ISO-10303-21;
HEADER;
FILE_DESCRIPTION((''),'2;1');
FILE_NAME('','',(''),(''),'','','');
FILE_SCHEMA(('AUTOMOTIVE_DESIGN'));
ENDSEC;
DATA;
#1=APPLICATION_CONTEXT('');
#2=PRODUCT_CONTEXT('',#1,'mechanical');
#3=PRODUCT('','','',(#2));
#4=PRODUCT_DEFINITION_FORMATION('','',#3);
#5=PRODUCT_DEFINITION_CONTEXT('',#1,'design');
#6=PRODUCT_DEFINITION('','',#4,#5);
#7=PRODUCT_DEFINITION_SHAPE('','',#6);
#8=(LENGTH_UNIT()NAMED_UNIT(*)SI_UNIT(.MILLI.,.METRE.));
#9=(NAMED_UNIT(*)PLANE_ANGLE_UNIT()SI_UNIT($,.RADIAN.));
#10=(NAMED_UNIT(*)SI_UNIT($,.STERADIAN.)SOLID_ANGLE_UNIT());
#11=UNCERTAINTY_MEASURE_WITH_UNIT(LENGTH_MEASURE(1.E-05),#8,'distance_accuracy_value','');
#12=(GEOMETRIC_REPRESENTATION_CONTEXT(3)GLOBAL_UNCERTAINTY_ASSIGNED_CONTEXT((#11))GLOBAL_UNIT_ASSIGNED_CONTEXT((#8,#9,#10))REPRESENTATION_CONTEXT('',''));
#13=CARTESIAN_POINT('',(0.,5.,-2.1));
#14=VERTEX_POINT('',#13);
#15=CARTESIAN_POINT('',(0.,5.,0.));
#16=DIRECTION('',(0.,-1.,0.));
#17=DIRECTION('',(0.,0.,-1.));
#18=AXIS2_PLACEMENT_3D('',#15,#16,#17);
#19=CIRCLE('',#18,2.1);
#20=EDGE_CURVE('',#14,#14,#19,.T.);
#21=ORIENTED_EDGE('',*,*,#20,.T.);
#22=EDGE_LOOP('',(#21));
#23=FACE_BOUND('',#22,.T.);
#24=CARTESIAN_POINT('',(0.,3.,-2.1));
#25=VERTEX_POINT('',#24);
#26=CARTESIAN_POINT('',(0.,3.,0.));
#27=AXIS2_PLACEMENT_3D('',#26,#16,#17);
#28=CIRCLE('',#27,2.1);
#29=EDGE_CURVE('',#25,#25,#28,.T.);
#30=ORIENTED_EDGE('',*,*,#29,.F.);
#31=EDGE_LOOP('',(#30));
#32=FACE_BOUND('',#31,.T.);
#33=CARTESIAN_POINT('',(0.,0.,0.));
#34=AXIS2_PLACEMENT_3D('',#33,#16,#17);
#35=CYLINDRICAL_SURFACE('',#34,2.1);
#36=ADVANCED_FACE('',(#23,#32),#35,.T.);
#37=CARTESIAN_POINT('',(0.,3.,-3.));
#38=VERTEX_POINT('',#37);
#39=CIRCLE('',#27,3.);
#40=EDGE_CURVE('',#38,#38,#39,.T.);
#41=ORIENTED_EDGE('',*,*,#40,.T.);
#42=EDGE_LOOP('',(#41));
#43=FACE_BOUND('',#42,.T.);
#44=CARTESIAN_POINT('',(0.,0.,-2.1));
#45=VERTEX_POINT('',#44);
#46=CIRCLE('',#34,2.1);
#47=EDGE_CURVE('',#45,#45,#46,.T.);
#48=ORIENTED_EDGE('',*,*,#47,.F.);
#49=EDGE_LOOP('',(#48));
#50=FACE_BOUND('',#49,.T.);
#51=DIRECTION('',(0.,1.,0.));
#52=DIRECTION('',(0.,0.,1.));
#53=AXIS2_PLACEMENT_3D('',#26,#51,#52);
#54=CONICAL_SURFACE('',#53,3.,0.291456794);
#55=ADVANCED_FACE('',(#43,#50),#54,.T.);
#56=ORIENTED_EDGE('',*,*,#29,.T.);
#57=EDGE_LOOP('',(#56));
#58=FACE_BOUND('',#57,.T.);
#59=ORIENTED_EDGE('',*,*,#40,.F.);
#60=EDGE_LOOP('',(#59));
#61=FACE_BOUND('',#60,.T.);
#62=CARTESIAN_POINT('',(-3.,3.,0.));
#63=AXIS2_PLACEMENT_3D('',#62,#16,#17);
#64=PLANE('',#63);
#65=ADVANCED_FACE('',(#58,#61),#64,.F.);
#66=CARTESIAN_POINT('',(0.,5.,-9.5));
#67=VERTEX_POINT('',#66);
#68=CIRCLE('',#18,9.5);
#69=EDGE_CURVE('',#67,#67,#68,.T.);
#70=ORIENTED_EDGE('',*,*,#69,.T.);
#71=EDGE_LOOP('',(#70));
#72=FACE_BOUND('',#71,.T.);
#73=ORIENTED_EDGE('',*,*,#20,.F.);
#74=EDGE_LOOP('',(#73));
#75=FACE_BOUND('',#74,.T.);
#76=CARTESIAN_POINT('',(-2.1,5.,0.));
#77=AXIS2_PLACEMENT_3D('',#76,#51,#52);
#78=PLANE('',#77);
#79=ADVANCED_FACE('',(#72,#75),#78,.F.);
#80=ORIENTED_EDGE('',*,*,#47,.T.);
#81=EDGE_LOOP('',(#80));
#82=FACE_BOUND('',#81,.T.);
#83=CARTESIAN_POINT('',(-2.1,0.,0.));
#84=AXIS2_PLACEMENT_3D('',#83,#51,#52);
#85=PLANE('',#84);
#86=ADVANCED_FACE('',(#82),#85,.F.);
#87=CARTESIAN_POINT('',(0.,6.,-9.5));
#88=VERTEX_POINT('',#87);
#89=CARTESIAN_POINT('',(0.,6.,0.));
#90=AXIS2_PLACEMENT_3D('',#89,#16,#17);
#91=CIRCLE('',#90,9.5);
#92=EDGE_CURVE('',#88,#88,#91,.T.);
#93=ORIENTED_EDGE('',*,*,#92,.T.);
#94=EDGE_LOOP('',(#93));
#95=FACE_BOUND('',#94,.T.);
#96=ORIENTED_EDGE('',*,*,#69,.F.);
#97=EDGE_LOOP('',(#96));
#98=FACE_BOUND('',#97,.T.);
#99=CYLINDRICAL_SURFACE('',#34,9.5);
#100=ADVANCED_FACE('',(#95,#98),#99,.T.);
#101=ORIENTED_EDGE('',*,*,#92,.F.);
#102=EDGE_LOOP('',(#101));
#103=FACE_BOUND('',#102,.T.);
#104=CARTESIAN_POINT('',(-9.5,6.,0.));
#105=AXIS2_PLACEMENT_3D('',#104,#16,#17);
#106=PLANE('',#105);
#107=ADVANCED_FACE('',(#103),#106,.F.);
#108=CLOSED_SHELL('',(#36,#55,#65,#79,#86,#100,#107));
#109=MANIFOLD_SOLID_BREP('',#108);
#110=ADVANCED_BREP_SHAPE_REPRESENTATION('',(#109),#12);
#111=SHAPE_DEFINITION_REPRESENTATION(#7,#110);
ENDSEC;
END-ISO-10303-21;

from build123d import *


with BuildPart() as part:
    # Sketch1 → Revolve1 (revolve)
    with BuildSketch(Plane.XY, mode=Mode.PRIVATE) as revolve1_sk:
        Polygon((0, 0), (0, 6), (-9.5, 6), (-9.5, 5), (-2.1, 5), (-2.1, 3), (-3, 3), (-2.1, 0), align=None)
    revolve(revolve1_sk.sketch.rotate(Axis((0, 0, 0), (0, 1, 0)), 270), axis=Axis((0, 0, 0), (0, 1, 0)))


solid = part.part
